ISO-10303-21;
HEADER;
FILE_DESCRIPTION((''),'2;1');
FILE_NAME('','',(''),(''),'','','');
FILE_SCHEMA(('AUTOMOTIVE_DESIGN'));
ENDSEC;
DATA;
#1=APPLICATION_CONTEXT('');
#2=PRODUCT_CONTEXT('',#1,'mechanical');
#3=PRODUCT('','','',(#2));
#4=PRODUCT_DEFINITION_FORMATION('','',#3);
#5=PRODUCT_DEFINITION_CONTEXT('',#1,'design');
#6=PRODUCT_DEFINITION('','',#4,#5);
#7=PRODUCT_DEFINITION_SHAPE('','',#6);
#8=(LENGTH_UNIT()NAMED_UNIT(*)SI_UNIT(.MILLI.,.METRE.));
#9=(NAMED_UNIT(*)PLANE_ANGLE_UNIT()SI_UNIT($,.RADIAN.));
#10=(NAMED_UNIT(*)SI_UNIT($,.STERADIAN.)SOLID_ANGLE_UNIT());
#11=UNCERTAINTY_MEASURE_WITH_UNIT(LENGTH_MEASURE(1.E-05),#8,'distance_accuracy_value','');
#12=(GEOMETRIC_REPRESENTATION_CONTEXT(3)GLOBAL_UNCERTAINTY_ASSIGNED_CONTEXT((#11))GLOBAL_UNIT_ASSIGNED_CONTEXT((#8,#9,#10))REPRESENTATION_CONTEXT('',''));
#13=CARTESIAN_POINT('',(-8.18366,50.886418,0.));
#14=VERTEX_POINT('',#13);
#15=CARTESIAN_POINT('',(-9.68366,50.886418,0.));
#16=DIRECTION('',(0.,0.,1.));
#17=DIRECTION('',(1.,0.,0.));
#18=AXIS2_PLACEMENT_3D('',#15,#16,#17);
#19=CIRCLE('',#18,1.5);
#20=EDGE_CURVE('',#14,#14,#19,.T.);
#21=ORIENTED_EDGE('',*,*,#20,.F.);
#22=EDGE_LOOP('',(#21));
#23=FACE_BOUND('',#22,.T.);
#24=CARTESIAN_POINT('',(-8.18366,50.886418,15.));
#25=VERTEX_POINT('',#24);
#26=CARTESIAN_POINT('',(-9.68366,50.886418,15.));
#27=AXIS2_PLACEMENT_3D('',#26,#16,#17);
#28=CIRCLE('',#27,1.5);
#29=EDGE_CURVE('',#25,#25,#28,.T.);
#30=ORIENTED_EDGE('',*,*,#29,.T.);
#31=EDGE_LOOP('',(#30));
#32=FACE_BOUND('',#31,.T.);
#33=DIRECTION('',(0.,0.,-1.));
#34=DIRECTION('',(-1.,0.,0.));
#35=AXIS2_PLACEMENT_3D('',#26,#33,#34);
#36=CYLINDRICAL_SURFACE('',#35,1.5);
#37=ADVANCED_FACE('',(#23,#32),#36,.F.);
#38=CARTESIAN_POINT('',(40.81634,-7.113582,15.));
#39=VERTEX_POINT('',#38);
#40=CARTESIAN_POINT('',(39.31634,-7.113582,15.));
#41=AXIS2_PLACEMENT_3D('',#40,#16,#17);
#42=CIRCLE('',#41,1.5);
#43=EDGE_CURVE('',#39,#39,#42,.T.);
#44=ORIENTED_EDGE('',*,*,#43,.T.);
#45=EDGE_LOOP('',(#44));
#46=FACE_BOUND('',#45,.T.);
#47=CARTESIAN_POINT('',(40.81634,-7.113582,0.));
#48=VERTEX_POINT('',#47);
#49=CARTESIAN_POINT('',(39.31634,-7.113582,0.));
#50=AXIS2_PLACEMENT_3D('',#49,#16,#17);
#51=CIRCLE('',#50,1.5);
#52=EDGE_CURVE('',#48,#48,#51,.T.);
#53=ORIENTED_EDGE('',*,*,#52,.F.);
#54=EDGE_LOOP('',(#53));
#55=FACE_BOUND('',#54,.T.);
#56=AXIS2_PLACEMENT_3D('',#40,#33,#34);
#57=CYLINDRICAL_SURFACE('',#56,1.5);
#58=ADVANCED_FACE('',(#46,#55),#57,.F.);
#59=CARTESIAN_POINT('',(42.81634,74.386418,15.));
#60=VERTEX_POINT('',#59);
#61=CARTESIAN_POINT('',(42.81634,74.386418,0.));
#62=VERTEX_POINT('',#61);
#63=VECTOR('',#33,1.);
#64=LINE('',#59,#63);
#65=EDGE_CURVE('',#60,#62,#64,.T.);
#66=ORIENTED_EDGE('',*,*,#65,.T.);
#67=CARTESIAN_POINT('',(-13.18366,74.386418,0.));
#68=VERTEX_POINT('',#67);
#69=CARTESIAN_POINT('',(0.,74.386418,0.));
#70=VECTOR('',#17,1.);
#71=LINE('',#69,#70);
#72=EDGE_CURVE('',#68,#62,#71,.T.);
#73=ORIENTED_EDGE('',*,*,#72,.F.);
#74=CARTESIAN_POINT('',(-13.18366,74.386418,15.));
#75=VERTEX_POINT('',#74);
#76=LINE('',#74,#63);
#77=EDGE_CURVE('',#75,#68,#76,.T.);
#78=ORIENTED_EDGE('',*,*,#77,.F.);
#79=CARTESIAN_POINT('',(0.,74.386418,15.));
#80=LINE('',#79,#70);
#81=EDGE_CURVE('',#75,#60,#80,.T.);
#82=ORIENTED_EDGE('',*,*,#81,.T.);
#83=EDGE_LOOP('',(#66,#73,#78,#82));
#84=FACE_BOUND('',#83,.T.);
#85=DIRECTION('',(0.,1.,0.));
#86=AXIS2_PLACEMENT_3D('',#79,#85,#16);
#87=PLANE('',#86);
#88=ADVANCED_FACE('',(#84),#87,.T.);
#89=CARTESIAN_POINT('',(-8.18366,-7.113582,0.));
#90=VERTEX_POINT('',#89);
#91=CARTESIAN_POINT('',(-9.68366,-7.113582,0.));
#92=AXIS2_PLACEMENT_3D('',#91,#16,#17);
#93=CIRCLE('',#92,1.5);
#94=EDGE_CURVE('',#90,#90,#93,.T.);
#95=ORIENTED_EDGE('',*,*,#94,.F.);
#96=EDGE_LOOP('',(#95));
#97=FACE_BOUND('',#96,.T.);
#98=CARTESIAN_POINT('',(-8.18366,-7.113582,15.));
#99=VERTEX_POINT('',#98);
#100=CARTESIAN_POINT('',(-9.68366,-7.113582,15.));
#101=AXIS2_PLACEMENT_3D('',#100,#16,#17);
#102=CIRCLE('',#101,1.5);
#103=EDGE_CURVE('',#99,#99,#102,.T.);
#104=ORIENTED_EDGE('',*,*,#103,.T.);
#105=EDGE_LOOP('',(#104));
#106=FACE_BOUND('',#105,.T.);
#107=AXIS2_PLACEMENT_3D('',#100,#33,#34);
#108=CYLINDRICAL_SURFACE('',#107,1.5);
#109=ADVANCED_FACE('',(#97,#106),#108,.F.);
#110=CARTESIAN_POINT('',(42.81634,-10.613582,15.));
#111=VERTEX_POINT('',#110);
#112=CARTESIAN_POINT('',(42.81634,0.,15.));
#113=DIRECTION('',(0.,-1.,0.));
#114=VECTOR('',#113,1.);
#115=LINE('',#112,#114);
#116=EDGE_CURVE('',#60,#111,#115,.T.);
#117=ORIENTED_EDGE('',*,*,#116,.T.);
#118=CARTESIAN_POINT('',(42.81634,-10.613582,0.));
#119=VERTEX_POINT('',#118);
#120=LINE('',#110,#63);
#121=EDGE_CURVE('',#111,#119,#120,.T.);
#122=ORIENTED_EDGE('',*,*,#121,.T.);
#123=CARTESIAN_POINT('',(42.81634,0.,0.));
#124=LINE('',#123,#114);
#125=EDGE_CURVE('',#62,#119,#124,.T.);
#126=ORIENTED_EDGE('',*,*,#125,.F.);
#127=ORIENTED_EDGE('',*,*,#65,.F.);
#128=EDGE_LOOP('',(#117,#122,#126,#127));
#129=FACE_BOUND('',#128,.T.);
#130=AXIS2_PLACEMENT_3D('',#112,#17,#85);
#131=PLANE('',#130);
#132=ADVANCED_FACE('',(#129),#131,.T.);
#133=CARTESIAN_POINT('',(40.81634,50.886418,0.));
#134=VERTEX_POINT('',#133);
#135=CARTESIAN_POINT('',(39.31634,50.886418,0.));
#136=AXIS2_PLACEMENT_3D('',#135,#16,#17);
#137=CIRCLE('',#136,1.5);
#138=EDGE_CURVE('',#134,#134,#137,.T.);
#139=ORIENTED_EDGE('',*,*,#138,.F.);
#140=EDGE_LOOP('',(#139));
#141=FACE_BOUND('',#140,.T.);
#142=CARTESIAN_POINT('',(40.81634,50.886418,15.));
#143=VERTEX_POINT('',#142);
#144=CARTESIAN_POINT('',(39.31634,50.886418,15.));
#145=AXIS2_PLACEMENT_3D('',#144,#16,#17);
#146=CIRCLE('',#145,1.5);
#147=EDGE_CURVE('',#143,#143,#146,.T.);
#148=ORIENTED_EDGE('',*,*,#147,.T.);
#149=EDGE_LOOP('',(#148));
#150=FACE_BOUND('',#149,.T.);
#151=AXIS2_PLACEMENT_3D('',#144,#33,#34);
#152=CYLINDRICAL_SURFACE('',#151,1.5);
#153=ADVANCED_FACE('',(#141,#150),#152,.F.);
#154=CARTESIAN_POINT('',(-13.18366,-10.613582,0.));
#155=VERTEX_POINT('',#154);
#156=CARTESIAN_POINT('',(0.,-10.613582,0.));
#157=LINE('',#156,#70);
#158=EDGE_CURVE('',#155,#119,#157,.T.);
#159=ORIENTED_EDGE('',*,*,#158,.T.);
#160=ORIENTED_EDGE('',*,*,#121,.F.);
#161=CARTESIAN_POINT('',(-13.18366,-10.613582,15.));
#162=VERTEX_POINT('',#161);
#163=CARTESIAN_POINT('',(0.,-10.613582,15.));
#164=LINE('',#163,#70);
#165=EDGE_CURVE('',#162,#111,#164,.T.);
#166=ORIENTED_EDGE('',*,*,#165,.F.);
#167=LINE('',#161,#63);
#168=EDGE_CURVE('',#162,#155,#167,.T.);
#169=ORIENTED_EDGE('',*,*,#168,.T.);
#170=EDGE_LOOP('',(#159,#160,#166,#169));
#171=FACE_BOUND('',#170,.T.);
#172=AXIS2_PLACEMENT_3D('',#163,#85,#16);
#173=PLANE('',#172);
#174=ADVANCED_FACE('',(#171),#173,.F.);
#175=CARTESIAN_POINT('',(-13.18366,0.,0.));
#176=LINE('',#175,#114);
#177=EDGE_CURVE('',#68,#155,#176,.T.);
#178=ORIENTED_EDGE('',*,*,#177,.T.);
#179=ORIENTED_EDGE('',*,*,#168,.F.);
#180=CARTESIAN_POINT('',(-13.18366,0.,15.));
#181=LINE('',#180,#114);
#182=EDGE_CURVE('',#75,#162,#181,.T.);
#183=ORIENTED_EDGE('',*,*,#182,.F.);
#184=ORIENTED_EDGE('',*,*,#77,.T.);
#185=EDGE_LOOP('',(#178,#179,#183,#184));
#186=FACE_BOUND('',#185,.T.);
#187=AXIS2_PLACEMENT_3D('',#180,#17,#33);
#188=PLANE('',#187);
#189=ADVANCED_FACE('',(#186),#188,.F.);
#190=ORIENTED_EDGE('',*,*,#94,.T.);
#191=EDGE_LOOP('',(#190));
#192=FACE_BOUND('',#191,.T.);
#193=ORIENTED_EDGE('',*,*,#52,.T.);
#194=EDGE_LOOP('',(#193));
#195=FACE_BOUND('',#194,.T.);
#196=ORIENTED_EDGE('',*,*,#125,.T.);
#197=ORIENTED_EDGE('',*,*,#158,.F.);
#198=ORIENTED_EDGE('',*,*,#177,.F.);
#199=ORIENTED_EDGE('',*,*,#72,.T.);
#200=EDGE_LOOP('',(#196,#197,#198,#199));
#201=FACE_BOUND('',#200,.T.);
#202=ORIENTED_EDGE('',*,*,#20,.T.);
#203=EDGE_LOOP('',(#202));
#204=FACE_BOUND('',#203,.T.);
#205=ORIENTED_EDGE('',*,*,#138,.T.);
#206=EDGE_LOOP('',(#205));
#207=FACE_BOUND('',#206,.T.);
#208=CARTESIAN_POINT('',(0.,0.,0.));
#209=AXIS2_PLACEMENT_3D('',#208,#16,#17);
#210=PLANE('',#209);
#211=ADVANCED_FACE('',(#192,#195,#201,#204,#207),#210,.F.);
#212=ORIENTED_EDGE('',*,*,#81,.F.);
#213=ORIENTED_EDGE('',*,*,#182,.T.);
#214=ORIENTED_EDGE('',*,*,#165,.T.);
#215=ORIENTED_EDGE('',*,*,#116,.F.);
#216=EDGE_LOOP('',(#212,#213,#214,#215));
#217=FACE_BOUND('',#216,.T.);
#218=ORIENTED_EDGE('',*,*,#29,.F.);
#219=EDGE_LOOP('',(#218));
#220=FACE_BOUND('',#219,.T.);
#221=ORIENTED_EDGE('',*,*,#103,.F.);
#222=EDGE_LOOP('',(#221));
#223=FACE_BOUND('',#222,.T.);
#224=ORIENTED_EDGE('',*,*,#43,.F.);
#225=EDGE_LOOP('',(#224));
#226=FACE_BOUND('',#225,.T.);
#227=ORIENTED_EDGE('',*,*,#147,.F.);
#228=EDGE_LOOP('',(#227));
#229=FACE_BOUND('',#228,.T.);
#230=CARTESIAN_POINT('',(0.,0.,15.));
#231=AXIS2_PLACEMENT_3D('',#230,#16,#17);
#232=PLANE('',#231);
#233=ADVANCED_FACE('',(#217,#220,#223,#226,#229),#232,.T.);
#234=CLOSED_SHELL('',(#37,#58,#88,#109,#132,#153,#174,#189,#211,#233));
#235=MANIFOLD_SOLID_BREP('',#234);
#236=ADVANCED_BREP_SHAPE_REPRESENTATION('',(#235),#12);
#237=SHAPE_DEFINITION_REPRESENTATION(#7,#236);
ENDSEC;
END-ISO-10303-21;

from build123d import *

# Parameters (mm, degrees)
SKETCH_1_W      = 56
SKETCH_1_H      = 85
SKETCH_1_R      = 1.5
EXTRUDE_1_DEPTH = 15


with BuildPart() as part:
    # 草图1 → 凸台-拉伸1 (new body)
    with BuildSketch(Plane.XY):
        with Locations((14.816339797, 31.886417716)):
            Rectangle(SKETCH_1_W, SKETCH_1_H)
        with Locations((-9.683660203, 50.886417716)):
            Circle(SKETCH_1_R, mode=Mode.SUBTRACT)
        with Locations((39.316339797, 50.886417716)):
            Circle(SKETCH_1_R, mode=Mode.SUBTRACT)
        with Locations((-9.683660203, -7.113582284)):
            Circle(SKETCH_1_R, mode=Mode.SUBTRACT)
        with Locations((39.316339797, -7.113582284)):
            Circle(SKETCH_1_R, mode=Mode.SUBTRACT)
    extrude(amount=EXTRUDE_1_DEPTH)


solid = part.part
